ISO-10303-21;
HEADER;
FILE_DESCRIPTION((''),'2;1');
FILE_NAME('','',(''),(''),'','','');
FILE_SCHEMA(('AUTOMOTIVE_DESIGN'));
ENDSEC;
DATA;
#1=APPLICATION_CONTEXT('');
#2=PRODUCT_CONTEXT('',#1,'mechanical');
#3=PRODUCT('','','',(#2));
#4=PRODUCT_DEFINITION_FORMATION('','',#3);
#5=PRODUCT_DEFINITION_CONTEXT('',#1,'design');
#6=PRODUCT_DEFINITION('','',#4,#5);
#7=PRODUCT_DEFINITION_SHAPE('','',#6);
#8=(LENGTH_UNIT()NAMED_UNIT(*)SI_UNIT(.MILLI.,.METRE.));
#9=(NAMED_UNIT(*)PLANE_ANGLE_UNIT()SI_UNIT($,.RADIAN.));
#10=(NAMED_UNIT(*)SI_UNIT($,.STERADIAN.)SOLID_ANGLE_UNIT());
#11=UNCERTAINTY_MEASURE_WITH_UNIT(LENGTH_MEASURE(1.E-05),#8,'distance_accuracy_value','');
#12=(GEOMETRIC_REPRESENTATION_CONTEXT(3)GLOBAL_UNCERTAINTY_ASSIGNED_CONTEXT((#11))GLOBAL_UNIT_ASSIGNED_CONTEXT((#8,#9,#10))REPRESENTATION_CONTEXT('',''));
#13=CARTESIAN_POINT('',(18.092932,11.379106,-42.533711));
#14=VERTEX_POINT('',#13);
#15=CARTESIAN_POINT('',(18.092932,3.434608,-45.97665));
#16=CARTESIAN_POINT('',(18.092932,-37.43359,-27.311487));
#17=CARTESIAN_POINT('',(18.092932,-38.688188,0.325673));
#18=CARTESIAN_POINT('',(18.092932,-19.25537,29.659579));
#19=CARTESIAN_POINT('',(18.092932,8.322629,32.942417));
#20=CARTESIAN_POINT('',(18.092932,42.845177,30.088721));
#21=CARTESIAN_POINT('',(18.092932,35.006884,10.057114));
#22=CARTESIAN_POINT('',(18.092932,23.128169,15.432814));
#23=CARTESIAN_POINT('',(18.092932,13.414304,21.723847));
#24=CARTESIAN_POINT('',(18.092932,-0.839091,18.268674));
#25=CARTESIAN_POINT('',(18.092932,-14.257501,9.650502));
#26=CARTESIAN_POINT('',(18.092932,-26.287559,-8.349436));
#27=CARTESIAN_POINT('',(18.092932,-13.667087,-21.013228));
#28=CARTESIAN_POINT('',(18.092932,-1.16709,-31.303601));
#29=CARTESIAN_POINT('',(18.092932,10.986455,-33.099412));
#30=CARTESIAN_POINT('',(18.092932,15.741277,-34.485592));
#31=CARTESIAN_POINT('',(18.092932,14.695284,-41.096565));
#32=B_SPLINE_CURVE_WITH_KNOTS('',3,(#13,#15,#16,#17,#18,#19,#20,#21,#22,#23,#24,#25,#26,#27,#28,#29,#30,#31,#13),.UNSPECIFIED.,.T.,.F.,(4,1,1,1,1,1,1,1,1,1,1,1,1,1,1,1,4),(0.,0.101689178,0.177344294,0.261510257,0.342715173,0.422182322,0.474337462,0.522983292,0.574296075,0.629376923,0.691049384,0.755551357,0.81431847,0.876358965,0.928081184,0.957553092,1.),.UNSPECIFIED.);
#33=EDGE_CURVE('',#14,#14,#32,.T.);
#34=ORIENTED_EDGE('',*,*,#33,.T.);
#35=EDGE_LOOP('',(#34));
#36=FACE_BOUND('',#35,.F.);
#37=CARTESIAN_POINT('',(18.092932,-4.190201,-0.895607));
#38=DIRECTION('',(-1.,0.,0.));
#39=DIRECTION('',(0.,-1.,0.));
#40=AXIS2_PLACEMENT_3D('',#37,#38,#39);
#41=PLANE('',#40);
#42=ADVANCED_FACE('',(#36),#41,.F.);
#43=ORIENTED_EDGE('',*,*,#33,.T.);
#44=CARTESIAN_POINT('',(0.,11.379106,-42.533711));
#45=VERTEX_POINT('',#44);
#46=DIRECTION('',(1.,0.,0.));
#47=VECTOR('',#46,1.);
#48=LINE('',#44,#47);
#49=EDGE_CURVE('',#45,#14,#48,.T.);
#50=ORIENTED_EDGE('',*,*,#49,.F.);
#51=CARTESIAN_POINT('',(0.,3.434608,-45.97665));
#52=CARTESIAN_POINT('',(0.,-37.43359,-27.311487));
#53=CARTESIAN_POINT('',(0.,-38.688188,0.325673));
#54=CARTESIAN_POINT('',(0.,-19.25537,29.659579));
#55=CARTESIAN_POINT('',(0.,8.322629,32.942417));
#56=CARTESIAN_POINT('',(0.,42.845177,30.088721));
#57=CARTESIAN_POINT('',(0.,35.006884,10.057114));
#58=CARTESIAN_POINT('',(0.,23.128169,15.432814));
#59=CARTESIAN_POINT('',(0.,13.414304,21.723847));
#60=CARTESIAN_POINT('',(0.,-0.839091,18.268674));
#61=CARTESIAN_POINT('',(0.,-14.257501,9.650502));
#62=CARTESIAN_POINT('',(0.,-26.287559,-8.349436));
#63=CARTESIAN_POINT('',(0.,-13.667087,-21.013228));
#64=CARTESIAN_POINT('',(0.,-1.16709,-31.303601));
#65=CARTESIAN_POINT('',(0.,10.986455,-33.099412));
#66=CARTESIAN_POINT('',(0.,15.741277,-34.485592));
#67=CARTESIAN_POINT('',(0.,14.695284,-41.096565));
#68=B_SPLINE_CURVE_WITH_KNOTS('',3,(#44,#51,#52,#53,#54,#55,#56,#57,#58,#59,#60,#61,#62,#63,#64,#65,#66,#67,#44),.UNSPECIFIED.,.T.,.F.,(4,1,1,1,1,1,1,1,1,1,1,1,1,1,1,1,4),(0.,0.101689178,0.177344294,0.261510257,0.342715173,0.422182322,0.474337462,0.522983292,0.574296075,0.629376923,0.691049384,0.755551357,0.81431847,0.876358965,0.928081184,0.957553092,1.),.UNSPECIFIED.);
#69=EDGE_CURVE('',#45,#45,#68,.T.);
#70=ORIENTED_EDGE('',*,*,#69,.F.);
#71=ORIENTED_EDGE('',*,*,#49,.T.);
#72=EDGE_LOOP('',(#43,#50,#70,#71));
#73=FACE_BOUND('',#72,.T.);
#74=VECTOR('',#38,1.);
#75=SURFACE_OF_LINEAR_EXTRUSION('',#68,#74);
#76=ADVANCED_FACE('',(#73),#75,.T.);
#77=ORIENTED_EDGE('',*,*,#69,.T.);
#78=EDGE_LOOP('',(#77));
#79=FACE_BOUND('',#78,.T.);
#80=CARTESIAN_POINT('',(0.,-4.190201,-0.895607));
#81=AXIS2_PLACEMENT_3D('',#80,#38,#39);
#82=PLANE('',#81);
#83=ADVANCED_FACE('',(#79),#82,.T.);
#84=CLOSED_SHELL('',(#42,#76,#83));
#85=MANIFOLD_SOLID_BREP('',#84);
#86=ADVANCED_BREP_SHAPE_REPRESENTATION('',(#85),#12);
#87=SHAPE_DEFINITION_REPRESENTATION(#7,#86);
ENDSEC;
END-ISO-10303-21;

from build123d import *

# Parameters (mm, degrees)
F1_DEPTH = 18.0929321796


with BuildPart() as f1:
    # F0 (on Right) → F1 (new body)
    with BuildSketch(Plane.YZ):
        with BuildLine():
            add(Edge.make_bspline(
                [(11.3791059703, -42.5337105989), (3.4346076846, -45.976650492), (-37.4335899189, -27.3114866893), (-38.688187571, 0.3256729344), (-19.2553700261, 29.6595786723), (8.322628514, 32.9424167225), (42.8451767727, 30.0887206622), (35.00688375, 10.057114305), (23.1281691119, 15.4328138142), (13.4143042345, 21.723846841), (-0.8390913714, 18.2686743314), (-14.2575005958, 9.6505015964), (-26.2875586272, -8.34943567), (-13.6670873362, -21.0132276129), (-1.1670895729, -31.3036007246), (10.9864549406, -33.099411868), (15.7412772732, -34.4855922807), (14.6952837109, -41.096565014), (11.3791059703, -42.5337105989)],
                knots=[0, 0, 0, 0, 0.1016891779, 0.1773442936, 0.2615102571, 0.3427151734, 0.4221823223, 0.4743374624, 0.5229832916, 0.5742960751, 0.6293769227, 0.6910493844, 0.7555513573, 0.8143184703, 0.8763589647, 0.9280811842, 0.957553092, 1, 1, 1, 1], degree=3))
        make_face()
    extrude(amount=F1_DEPTH)


solid = f1.part
